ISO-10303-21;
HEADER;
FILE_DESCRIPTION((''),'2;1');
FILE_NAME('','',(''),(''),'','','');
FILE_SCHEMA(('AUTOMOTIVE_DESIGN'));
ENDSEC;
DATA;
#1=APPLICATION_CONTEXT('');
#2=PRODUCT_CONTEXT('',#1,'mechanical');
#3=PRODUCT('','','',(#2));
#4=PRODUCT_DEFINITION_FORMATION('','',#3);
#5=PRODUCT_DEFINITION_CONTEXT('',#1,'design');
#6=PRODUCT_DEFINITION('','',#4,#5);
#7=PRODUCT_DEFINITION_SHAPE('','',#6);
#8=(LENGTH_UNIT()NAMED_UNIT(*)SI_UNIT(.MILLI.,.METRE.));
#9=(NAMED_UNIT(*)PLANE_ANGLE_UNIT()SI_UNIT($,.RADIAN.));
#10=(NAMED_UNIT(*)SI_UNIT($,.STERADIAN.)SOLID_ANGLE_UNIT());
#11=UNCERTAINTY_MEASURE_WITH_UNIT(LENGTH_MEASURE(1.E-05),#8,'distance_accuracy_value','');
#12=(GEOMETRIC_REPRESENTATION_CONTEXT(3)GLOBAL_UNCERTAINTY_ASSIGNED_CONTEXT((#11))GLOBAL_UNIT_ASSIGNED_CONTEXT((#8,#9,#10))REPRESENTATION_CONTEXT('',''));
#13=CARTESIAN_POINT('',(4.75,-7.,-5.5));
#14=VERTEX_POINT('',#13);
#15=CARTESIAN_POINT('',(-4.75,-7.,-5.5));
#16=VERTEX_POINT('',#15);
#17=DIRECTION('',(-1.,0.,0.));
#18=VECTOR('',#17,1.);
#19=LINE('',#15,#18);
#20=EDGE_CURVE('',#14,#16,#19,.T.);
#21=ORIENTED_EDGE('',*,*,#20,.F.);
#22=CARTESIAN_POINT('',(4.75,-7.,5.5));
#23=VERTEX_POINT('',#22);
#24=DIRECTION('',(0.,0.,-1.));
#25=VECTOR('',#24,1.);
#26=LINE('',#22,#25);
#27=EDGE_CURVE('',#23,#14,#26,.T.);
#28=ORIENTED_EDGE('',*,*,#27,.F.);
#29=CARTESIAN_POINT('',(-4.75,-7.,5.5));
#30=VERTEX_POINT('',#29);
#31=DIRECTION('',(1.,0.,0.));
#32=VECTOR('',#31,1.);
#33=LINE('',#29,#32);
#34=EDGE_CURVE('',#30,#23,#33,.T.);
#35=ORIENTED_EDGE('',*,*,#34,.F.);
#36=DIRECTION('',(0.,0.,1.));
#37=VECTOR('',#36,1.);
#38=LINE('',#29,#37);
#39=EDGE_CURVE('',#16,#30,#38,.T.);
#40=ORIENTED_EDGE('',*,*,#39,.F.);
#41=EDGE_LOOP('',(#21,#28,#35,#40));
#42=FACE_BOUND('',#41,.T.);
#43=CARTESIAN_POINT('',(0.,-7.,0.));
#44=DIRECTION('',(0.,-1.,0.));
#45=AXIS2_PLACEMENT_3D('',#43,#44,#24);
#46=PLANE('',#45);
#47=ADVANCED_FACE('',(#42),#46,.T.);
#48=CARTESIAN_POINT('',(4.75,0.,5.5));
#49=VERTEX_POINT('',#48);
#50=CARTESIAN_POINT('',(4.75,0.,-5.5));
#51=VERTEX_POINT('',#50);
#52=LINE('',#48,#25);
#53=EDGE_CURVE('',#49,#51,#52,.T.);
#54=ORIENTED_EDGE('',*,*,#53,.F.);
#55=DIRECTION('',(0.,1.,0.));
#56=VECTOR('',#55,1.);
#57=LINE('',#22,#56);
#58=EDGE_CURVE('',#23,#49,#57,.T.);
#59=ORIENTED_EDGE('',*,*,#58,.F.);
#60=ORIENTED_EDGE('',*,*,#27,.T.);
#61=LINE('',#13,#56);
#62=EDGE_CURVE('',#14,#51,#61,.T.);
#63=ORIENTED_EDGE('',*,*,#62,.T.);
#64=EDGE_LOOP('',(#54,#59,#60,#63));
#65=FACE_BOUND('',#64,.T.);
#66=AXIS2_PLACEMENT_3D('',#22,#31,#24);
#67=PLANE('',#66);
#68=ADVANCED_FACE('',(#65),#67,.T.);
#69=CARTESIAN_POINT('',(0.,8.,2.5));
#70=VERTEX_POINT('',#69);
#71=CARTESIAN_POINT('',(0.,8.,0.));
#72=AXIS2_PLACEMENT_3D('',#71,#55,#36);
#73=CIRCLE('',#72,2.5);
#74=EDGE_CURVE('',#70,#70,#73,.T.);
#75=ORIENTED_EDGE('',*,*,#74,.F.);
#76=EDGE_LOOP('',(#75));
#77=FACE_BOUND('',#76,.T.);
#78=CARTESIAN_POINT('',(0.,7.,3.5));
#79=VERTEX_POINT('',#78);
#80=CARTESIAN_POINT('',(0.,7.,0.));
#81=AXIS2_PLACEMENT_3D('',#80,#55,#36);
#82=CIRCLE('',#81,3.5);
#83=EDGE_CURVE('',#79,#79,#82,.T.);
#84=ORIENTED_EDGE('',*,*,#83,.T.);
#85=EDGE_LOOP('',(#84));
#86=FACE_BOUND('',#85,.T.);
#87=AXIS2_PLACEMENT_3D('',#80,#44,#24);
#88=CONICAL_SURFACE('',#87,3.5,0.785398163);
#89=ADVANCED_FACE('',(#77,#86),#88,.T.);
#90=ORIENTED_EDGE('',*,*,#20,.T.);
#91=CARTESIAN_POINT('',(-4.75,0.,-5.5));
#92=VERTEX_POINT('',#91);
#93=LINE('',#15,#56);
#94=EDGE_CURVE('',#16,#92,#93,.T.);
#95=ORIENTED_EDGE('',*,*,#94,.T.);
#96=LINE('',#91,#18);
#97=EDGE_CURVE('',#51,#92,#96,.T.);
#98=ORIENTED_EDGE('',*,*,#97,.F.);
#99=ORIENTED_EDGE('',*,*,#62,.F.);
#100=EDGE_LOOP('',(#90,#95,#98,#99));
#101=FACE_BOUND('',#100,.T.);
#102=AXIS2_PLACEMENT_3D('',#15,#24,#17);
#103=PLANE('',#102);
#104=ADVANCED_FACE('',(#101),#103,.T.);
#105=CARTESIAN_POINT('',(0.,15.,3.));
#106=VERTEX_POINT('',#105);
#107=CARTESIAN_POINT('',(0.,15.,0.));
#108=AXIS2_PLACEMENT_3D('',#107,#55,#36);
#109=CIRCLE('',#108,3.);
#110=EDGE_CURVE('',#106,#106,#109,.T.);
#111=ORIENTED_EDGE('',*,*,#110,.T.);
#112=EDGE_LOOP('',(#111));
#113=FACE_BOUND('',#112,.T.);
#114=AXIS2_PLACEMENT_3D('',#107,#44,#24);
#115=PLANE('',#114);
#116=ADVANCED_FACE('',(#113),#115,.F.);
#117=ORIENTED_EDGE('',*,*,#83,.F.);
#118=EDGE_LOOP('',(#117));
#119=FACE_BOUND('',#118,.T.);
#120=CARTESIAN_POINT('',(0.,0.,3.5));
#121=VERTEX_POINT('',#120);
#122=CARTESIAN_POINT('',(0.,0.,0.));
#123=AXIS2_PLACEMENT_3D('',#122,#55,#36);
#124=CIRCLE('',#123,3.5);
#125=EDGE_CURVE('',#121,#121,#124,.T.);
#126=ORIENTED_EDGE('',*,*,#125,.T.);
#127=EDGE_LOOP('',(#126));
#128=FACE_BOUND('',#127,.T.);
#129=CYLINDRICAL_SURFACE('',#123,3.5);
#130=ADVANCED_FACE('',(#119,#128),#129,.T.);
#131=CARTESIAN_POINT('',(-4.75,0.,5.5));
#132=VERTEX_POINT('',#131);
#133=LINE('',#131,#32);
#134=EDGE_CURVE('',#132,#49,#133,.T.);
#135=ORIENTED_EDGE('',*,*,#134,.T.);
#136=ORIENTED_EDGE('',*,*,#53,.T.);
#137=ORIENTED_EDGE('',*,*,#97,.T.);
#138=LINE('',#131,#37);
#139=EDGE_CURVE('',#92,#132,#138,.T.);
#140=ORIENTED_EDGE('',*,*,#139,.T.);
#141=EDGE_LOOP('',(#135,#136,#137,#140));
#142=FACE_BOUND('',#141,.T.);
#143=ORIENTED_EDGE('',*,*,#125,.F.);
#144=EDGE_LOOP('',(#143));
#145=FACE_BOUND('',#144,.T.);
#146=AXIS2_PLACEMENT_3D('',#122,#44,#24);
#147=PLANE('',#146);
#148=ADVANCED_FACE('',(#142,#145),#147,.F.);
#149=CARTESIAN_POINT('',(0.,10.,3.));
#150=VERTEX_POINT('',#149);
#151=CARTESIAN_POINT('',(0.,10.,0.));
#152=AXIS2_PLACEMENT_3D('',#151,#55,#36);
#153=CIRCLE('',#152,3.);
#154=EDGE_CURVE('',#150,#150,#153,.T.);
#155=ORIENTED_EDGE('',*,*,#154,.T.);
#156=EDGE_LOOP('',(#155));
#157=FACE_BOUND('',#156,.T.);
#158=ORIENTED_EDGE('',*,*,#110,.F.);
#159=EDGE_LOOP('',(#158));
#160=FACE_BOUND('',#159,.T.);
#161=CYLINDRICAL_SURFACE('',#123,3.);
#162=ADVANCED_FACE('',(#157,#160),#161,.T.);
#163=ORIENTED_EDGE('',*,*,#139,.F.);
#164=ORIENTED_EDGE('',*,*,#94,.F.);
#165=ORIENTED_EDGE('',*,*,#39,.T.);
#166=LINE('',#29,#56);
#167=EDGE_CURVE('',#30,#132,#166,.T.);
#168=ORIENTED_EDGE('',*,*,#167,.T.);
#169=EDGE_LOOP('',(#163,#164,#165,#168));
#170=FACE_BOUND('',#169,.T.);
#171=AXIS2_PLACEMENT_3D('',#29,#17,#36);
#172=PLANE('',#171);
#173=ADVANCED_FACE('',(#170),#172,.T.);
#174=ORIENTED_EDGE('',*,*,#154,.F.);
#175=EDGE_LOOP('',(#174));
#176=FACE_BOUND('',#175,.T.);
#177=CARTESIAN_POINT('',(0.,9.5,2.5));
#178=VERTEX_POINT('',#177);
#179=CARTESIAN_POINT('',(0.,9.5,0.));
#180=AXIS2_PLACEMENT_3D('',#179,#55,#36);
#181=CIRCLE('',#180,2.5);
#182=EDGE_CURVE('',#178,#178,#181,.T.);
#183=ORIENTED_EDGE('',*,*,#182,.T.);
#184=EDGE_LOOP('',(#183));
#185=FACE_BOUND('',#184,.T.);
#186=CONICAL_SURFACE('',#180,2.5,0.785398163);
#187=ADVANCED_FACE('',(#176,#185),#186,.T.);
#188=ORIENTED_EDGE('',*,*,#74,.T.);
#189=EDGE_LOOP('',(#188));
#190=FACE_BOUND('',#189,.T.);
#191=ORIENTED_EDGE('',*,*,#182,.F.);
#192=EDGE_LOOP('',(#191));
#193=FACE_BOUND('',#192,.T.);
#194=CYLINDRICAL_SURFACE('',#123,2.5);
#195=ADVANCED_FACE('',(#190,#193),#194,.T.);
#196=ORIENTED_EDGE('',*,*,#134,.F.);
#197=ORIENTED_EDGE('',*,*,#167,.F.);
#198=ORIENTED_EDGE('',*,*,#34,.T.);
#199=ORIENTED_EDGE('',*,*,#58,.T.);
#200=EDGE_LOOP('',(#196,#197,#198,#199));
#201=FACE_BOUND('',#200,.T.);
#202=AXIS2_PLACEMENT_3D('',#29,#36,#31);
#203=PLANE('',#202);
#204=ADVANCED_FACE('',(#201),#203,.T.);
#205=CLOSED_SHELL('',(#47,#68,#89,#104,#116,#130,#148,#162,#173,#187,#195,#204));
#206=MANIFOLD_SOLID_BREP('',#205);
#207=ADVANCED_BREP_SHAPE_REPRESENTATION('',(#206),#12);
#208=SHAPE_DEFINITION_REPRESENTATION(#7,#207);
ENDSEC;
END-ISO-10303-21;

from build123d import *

# Parameters (mm, degrees)
ESQUISSE1_W        = 9.5
ESQUISSE1_H        = 11
BOSS_EXTRU_1_DEPTH = 7


with BuildPart() as part:
    # Esquisse1 → Boss.-Extru.1 (new body)
    with BuildSketch(Plane(origin=(0, 0, 0), x_dir=(1, 0, 0), z_dir=(0, 1, 0))):
        Rectangle(ESQUISSE1_W, ESQUISSE1_H)
    extrude(amount=-BOSS_EXTRU_1_DEPTH)

    # Esquisse3 → Révolution1 (revolve)
    with BuildSketch(Plane.XY, mode=Mode.PRIVATE) as r_volution1_sk:
        Polygon((0, 0), (0, 15), (3, 15), (3, 10), (2.5, 9.5), (2.5, 8), (3.5, 7), (3.5, 0), align=None)
    revolve(r_volution1_sk.sketch.rotate(Axis((0, 0, 0), (0, -1, 0)), 90), axis=Axis((0, 0, 0), (0, -1, 0)))


solid = part.part
